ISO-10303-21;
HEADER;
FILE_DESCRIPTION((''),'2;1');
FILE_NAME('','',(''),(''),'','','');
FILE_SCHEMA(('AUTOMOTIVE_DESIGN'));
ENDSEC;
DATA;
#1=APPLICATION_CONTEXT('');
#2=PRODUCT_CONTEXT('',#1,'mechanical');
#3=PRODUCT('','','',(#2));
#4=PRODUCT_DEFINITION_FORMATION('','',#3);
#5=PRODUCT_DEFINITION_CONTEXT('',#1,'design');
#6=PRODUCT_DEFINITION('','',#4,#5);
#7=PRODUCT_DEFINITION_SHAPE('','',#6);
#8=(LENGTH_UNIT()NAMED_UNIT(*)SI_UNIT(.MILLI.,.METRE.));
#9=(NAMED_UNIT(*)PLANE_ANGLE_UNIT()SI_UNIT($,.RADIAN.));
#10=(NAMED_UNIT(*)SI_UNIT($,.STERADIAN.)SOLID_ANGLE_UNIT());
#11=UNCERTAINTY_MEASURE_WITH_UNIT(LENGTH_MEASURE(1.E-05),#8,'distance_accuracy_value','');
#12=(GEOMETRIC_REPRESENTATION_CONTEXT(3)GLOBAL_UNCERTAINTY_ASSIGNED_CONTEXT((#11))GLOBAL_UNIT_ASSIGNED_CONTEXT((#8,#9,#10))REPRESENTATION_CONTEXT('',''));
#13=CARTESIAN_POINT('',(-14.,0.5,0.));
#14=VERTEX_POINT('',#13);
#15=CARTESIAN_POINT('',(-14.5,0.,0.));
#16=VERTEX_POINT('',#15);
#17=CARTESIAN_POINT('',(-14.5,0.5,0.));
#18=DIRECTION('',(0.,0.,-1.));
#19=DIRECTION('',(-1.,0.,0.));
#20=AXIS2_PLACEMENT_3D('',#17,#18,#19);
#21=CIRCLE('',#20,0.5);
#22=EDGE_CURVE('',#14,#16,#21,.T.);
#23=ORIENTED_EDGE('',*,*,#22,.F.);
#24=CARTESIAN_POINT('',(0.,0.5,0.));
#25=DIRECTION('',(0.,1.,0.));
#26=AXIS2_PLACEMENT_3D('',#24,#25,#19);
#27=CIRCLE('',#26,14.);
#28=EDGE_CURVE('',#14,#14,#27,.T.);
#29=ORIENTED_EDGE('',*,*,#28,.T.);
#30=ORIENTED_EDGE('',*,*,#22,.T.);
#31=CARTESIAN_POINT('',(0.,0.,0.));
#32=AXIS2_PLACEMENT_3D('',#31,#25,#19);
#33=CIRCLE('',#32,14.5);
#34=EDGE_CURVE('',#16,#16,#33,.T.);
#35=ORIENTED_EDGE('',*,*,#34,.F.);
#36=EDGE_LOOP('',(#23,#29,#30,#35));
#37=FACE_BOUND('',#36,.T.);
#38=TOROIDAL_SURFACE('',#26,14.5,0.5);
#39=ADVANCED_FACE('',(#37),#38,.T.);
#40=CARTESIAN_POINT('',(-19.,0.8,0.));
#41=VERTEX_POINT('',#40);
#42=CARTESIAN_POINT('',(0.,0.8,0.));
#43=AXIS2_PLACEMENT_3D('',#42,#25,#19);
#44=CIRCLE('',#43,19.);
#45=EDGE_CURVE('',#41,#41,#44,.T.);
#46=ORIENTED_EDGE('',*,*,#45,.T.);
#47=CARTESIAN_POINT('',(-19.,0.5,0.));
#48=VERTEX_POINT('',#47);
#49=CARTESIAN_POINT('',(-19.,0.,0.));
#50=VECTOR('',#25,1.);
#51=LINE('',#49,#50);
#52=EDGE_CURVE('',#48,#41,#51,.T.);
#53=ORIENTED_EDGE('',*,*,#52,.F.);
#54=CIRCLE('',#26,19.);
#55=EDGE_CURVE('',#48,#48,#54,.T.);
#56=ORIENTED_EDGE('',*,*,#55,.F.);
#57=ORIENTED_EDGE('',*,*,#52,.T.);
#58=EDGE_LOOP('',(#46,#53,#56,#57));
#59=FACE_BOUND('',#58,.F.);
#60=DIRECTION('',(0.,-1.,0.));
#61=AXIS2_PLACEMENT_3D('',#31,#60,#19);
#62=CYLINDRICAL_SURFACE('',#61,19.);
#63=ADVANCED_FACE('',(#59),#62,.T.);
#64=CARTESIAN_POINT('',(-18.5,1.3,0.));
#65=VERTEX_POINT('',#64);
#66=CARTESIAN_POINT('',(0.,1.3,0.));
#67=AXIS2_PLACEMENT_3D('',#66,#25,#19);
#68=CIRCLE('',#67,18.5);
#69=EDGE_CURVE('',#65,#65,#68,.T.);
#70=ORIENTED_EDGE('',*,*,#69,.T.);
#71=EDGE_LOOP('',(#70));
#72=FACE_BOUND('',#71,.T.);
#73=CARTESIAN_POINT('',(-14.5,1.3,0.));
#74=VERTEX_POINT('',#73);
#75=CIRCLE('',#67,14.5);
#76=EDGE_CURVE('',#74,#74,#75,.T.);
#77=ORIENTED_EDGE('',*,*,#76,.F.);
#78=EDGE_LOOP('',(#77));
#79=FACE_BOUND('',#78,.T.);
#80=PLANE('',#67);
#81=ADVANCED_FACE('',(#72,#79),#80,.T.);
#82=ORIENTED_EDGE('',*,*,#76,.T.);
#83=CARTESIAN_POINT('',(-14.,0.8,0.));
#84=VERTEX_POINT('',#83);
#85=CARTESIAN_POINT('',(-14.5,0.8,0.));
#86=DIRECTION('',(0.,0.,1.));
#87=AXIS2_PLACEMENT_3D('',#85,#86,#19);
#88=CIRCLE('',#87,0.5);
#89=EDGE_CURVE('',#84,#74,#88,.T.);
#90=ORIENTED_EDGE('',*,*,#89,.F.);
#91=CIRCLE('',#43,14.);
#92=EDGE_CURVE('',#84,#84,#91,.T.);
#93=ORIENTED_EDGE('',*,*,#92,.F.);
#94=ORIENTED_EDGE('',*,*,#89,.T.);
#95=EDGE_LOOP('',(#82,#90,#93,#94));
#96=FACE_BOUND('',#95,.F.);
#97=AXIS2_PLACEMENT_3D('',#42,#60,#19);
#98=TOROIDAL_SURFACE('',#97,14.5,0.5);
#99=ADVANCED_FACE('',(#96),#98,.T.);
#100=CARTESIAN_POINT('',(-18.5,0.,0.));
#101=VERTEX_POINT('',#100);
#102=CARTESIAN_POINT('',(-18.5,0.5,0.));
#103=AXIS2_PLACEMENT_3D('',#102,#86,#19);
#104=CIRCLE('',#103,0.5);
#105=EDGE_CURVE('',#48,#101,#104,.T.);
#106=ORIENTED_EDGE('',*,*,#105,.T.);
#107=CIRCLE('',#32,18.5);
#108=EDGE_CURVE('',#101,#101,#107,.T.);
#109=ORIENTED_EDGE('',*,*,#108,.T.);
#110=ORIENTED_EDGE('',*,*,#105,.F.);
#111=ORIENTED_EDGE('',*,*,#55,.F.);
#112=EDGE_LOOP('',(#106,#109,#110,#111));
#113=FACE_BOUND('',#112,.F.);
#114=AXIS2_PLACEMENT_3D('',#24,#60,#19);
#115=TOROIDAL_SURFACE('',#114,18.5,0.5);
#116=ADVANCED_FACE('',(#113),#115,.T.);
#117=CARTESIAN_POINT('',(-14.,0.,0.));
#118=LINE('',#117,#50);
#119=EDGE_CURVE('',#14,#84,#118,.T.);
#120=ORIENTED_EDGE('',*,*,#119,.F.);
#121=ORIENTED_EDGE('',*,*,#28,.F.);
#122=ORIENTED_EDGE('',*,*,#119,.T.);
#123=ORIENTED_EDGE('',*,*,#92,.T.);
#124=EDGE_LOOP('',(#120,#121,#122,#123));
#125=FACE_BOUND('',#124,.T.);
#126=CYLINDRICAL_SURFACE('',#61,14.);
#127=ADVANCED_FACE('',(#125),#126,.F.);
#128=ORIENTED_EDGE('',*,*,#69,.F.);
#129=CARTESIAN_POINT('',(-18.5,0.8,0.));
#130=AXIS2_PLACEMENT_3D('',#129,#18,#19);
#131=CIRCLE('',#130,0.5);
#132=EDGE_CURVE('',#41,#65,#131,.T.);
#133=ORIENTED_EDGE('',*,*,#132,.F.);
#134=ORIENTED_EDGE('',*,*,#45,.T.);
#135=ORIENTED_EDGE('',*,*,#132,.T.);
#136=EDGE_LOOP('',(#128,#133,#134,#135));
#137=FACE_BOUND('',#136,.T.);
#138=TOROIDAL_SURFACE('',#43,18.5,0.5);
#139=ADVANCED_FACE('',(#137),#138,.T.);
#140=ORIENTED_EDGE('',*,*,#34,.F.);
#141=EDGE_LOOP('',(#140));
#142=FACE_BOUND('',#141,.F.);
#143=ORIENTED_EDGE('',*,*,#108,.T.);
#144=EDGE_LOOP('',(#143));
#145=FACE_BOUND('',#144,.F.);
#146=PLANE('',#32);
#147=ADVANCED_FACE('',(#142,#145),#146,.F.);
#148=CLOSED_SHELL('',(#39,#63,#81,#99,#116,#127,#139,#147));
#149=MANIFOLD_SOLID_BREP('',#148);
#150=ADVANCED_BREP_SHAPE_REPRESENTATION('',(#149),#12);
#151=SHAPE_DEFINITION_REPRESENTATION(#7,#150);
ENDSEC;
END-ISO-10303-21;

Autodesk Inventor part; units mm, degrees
ref_plane "YZ Plane" through (0, 0, 0) normal (1, 0, 0) x (0, 1, 0)
ref_plane "XZ Plane" through (0, 0, 0) normal (0, 1, 0) x (-1, 0, 0)
ref_plane "XY Plane" through (0, 0, 0) normal (0, 0, 1) x (1, 0, 0)
sketch "Sketch1" plane through (0, 0, 0) normal (0, 1, 0) x (-1, 0, 0)
  circle A0 centre (0, 0) radius 14
  circle A1 centre (0, 0) radius 19
  dimension "d0" = 28
  dimension "d1" = 38
extrude "Extrusion1" add sketch "Sketch1" along normal blind 1.3
fillet "Fillet1" radius 0.5 4 edges at (19, 1.3, 0) (19, 0, 0) (14, 1.3, 0) (14, 0, 0)
properties part number "Coil"
